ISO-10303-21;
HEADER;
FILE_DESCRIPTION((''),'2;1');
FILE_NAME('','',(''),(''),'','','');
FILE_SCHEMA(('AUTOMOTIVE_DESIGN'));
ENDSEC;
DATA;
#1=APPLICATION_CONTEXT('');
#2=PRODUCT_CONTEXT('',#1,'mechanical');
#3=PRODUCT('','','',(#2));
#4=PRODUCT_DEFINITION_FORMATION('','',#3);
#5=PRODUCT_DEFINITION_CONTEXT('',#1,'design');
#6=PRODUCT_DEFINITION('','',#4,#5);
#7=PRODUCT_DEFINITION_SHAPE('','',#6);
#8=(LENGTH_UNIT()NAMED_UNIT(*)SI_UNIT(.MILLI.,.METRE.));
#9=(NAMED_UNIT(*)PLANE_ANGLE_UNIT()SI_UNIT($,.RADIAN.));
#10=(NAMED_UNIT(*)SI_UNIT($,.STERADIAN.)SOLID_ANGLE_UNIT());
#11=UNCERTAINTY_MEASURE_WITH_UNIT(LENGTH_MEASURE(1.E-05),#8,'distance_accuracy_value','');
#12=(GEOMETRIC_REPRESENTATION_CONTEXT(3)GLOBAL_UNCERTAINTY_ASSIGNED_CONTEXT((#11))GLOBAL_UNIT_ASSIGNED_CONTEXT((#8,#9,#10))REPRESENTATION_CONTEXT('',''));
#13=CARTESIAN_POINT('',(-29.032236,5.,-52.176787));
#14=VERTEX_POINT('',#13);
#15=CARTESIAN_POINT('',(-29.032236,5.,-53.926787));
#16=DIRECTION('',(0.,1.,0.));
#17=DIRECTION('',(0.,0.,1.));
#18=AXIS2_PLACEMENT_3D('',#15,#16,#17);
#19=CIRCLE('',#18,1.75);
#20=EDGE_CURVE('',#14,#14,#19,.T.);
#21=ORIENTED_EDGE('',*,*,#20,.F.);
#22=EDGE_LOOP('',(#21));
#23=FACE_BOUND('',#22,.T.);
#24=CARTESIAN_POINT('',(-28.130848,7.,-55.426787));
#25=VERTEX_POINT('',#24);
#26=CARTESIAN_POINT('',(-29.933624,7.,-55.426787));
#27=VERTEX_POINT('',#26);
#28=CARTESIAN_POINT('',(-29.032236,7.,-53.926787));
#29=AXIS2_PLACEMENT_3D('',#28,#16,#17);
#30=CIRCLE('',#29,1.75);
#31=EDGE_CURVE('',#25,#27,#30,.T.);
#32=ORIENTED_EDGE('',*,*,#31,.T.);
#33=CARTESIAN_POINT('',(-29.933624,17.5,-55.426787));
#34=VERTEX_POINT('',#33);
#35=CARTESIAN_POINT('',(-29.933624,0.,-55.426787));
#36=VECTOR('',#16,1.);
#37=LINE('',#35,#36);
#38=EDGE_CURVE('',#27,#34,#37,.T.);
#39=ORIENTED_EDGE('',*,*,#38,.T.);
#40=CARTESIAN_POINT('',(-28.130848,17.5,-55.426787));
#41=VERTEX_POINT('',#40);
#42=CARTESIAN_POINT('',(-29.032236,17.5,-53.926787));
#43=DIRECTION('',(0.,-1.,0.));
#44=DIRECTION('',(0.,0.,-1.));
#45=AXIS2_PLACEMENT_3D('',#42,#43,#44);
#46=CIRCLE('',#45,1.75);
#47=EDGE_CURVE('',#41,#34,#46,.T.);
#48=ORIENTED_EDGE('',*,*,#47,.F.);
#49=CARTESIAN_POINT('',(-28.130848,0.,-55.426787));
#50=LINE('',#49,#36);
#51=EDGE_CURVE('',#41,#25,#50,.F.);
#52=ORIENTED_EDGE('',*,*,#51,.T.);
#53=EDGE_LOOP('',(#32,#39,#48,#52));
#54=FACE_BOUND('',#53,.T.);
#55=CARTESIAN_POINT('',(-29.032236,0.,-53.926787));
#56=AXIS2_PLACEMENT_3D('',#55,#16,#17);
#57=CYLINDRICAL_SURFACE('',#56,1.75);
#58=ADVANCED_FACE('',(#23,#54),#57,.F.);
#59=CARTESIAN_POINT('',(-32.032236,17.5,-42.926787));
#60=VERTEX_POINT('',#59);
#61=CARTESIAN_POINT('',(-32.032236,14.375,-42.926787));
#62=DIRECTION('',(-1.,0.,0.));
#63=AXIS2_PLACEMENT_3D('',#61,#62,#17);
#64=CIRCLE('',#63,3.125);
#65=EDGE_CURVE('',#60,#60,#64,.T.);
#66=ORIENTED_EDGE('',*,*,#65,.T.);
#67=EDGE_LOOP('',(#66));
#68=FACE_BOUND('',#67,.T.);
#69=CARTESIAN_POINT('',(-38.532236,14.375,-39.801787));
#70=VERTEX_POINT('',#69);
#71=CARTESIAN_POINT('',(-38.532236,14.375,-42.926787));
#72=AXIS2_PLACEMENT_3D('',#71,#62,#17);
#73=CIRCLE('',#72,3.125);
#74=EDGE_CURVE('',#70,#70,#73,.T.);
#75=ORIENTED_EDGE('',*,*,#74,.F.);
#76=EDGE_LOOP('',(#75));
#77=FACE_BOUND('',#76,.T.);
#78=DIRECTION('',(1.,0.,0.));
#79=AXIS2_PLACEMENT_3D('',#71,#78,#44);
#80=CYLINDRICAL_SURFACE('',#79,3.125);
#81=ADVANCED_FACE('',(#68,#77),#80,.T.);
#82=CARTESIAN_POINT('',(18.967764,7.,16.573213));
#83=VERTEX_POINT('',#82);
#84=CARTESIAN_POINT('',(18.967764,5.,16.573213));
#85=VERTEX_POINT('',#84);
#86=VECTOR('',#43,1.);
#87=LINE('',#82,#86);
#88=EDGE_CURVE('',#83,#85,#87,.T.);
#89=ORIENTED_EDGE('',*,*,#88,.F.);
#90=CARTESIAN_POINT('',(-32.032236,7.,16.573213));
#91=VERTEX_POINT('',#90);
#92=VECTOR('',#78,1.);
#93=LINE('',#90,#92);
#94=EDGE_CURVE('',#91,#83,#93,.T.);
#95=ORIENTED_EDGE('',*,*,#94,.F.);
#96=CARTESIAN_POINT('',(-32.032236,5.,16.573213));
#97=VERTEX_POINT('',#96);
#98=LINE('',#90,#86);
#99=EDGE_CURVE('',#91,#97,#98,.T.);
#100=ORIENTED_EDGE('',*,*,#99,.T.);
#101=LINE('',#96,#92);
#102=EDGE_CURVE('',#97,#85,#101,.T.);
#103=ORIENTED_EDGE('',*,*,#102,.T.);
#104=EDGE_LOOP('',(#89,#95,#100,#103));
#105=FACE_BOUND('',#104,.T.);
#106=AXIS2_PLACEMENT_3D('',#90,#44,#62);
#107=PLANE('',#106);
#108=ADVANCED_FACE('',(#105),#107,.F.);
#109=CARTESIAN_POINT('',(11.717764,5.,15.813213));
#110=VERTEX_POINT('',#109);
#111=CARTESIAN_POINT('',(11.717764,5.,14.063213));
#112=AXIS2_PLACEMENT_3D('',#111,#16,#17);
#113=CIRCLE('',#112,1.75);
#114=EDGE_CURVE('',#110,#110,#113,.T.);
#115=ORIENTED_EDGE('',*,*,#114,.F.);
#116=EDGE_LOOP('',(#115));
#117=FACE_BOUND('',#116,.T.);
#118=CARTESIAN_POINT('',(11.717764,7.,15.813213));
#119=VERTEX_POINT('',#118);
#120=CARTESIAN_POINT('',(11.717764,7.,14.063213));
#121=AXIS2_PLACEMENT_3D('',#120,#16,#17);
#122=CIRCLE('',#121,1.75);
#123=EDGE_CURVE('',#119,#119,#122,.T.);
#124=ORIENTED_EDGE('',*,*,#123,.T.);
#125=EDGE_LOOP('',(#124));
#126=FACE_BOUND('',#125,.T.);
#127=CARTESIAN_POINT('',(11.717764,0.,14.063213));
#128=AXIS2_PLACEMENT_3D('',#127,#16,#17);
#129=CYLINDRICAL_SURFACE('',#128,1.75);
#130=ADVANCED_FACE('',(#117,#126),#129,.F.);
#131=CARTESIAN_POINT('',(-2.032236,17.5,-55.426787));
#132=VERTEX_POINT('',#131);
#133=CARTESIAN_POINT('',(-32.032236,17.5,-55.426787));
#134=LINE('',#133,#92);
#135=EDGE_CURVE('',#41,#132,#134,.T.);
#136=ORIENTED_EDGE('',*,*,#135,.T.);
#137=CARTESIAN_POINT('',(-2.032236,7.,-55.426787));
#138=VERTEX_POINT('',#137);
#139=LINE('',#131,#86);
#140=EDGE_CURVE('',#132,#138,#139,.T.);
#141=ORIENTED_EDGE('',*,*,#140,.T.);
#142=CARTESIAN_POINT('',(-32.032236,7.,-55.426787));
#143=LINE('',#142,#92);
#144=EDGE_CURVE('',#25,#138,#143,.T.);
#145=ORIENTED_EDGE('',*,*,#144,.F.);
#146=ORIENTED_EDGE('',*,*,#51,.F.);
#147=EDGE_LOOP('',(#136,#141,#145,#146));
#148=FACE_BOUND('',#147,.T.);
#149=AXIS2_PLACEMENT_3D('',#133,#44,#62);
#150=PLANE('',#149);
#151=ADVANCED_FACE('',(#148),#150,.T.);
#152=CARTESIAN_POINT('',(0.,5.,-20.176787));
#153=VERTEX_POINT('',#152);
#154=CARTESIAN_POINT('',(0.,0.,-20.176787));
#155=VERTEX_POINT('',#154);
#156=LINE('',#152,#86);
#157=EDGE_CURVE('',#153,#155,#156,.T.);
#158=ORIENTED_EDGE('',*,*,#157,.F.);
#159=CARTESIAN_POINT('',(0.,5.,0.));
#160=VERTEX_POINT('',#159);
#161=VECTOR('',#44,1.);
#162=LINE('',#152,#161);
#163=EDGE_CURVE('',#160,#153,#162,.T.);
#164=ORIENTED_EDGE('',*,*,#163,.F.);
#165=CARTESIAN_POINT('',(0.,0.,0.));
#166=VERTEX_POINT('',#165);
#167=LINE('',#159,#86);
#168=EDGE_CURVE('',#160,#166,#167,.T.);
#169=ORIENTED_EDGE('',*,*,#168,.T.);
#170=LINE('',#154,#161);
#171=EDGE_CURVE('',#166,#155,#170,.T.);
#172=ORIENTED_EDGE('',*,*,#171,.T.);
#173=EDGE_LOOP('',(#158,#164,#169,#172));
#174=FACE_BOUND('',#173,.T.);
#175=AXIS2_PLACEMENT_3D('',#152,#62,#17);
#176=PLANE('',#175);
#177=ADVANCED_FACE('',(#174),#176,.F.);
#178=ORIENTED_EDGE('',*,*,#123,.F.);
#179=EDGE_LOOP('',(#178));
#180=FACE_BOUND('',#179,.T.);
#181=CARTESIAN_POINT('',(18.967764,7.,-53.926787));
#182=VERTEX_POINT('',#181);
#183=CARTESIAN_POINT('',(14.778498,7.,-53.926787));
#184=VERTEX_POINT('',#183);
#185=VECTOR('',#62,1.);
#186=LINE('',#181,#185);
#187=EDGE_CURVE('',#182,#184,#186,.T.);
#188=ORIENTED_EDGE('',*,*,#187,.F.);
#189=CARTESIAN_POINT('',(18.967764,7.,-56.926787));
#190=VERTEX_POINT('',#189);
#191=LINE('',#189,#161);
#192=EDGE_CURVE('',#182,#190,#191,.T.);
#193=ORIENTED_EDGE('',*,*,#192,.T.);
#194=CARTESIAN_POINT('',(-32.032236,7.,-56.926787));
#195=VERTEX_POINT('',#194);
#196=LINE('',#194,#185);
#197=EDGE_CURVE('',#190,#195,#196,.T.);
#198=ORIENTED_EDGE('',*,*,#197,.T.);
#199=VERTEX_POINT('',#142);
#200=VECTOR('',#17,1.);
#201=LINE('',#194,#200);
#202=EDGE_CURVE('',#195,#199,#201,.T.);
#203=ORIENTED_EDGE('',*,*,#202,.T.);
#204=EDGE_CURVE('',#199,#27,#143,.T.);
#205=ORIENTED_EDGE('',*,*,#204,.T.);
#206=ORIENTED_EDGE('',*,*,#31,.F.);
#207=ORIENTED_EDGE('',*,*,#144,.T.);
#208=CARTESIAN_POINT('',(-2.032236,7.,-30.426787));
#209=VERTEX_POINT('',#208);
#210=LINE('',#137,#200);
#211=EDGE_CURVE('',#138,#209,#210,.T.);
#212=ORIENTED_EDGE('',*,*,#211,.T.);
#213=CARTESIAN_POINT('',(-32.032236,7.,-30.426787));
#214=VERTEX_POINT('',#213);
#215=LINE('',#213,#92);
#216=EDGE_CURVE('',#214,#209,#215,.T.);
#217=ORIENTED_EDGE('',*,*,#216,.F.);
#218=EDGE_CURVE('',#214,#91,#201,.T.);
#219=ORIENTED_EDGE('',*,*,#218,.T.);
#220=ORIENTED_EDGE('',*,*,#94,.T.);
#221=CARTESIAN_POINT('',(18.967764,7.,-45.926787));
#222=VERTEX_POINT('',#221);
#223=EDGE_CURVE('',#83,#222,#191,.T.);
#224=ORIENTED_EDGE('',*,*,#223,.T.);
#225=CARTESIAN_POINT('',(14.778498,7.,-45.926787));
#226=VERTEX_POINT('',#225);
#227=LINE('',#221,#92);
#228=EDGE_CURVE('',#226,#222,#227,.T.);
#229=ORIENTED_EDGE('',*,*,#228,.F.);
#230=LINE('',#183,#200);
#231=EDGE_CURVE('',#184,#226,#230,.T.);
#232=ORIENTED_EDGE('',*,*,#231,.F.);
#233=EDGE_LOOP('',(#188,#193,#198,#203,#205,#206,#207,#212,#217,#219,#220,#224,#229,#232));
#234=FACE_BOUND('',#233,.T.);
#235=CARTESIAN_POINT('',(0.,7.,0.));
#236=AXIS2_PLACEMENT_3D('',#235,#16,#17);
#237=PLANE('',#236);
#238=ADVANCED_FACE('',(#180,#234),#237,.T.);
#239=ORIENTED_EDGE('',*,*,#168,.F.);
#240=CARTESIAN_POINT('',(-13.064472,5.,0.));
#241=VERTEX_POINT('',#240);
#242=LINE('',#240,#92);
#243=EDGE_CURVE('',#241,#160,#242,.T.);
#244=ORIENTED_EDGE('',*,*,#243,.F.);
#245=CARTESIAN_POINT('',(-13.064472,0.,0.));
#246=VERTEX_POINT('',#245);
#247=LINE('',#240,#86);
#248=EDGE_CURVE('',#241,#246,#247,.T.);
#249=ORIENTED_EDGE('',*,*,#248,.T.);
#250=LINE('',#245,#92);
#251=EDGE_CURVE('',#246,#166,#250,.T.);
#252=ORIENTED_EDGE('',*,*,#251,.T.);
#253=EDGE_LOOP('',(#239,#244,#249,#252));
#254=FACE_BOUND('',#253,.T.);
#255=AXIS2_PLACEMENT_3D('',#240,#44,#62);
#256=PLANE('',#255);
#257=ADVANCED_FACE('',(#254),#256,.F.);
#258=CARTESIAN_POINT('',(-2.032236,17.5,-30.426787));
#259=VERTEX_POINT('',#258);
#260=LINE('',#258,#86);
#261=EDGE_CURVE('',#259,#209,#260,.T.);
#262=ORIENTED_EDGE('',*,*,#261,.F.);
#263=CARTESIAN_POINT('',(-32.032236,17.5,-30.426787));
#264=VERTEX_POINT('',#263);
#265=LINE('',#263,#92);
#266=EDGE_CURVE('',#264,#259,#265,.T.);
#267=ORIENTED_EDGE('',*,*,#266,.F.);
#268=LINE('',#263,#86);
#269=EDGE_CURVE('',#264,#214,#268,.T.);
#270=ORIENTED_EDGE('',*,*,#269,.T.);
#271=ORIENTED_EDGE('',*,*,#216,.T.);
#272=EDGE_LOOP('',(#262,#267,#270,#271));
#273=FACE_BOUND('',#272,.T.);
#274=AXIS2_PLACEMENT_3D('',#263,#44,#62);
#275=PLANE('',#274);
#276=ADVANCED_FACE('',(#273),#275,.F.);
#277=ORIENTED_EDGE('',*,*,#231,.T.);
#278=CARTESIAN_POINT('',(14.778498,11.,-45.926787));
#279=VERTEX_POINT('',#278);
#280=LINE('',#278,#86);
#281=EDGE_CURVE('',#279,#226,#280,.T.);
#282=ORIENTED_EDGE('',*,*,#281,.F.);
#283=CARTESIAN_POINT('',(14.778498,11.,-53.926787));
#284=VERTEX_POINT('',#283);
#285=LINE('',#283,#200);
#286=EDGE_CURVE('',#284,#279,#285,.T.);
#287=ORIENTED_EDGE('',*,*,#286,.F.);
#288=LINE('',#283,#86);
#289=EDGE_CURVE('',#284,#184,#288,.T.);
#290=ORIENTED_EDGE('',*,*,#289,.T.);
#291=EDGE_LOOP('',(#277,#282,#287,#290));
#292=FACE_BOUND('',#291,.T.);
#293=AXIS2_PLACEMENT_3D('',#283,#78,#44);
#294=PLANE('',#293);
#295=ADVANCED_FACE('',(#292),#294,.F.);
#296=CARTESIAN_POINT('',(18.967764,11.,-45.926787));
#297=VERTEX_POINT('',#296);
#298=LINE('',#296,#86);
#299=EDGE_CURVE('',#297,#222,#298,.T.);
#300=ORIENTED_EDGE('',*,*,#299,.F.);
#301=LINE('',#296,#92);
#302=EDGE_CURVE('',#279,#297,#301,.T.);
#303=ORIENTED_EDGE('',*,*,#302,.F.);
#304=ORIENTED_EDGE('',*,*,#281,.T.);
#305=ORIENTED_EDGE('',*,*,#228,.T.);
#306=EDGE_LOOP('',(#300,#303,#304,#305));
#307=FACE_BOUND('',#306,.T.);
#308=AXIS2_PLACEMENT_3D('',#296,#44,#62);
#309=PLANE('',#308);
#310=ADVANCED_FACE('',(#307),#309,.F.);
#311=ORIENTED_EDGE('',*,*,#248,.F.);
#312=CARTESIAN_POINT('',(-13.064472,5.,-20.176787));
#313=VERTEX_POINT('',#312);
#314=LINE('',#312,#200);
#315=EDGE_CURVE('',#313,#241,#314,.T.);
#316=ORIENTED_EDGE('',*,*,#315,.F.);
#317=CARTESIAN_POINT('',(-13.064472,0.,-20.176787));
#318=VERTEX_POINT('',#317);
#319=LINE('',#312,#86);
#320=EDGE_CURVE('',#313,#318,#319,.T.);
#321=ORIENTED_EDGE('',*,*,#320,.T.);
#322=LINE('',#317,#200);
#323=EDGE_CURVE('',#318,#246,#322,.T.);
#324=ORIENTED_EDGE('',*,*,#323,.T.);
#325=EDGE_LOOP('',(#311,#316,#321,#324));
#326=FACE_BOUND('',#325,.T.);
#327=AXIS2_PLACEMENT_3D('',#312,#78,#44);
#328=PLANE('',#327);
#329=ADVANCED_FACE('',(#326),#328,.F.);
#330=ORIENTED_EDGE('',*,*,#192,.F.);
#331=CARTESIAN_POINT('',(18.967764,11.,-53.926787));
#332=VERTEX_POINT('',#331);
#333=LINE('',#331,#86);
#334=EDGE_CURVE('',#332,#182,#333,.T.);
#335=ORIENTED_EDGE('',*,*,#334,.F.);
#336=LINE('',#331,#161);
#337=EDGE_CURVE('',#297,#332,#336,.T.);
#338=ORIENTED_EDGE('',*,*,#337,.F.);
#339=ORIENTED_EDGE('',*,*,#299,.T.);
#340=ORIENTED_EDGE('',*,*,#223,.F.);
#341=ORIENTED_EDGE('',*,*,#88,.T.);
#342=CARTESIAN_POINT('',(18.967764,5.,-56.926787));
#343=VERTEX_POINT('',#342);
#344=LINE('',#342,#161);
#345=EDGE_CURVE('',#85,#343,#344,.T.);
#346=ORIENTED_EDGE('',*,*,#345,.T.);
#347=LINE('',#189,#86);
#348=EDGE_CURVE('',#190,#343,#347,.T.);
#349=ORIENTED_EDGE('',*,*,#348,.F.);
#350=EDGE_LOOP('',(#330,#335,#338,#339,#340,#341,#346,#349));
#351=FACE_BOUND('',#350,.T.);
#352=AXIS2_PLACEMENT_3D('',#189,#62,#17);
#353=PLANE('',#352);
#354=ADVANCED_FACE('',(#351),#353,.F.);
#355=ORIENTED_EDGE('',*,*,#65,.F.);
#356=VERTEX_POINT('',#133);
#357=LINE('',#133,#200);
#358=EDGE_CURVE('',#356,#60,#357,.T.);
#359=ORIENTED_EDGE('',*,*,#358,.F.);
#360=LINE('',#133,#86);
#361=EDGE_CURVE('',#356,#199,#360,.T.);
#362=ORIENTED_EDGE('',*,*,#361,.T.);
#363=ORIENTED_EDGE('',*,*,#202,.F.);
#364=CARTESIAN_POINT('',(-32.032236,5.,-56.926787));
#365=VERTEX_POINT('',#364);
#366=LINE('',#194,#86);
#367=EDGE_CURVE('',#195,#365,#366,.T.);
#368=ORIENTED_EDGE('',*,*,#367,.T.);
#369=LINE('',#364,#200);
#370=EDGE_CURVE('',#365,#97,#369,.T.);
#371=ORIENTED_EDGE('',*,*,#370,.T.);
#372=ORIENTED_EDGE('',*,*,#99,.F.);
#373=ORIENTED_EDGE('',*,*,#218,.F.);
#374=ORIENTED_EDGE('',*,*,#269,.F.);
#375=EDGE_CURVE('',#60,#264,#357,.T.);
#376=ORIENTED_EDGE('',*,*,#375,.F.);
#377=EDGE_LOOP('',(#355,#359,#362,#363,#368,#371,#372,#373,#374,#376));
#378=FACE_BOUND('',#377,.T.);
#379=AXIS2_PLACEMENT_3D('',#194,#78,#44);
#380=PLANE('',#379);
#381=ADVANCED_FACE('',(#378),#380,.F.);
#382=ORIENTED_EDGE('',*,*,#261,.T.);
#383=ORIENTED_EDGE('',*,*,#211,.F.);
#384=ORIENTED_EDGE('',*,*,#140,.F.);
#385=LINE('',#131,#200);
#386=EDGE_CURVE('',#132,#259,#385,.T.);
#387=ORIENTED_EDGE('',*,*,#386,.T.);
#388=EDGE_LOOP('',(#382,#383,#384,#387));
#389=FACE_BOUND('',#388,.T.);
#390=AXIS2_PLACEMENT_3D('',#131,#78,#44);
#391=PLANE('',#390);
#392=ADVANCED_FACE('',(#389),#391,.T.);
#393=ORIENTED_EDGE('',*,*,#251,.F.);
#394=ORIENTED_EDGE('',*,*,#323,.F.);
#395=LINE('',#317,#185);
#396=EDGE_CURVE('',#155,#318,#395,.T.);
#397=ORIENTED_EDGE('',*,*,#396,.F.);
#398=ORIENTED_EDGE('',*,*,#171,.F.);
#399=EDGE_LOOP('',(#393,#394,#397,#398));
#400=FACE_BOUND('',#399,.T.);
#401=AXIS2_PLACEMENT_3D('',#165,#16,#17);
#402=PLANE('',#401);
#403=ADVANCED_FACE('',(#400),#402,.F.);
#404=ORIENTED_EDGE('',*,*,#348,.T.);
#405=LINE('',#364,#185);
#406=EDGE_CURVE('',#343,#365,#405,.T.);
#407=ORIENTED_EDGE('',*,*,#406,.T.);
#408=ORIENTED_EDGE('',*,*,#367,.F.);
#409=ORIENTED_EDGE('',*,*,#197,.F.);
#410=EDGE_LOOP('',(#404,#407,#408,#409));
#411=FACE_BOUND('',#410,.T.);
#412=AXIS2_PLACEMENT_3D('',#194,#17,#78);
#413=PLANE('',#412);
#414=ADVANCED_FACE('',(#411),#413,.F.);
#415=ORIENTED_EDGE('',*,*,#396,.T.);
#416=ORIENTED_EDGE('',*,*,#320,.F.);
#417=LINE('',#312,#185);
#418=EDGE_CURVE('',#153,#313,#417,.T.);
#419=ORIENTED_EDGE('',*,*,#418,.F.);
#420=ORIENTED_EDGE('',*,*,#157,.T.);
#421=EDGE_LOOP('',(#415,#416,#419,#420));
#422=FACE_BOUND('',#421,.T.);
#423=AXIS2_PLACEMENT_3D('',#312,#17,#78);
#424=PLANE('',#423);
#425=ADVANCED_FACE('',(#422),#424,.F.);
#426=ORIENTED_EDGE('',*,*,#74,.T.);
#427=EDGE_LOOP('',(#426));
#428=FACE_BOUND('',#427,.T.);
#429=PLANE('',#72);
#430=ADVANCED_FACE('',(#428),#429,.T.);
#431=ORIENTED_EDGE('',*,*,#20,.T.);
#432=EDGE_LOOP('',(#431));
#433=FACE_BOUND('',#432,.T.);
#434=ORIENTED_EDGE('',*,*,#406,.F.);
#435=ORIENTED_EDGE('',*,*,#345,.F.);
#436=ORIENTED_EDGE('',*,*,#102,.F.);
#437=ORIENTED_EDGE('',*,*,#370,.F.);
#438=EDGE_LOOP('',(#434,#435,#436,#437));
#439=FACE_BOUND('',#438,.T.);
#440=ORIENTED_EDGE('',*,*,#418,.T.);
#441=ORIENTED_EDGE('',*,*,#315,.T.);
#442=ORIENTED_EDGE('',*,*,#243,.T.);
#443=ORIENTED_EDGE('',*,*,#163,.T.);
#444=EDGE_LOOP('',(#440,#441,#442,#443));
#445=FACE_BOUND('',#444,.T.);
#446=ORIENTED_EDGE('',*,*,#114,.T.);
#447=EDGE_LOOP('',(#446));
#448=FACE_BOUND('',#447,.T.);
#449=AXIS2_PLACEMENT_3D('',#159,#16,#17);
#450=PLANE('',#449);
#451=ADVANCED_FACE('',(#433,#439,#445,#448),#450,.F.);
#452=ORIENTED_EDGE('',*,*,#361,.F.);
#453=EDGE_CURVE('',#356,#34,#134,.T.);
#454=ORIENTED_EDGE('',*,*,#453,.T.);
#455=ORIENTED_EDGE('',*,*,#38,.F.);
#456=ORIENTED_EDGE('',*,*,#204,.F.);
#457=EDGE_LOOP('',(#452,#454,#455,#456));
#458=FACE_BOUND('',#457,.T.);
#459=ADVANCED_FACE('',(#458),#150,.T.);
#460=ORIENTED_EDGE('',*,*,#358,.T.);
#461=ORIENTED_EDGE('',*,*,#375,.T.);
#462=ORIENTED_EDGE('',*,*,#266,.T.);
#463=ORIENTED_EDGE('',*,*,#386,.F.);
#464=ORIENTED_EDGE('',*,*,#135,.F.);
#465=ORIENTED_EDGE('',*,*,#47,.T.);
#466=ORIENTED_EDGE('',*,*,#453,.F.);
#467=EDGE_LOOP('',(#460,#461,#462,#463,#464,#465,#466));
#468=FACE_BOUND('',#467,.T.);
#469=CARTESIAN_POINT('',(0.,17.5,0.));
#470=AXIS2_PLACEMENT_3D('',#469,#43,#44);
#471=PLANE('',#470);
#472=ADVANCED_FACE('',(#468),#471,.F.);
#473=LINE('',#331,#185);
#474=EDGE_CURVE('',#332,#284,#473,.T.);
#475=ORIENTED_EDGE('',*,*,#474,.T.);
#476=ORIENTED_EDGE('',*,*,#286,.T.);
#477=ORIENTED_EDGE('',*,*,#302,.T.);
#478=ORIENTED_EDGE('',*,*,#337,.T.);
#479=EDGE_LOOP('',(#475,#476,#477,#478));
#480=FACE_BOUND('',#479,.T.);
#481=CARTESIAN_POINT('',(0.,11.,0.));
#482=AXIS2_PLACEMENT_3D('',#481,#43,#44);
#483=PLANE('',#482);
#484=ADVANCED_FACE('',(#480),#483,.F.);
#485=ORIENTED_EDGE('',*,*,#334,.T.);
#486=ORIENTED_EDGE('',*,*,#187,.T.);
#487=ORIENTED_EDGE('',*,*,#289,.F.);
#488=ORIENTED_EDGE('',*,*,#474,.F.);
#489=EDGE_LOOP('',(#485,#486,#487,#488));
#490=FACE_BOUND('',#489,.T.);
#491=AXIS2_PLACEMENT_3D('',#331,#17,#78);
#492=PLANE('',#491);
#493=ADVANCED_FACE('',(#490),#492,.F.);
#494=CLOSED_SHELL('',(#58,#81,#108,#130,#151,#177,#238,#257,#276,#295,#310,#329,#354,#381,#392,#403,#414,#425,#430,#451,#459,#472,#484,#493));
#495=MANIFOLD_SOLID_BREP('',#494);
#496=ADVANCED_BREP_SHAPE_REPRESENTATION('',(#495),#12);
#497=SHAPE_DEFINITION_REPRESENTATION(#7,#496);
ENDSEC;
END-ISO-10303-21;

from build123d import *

# Parameters (mm, degrees)
SKETCH1_W               = 13.064472239
SKETCH1_H               = 20.176787348
BOSS_EXTRUDE1_DEPTH     = 5
SKETCH2_W               = 51
SKETCH2_H               = 73.5
BOSS_EXTRUDE2_DEPTH     = 2
SKETCH3_W               = 30
SKETCH3_H               = 25
BOSS_EXTRUDE3_DEPTH     = 10.5
SKETCH7_R               = 3.125
BOSS_EXTRUDE5_DEPTH     = 6.5
SKETCH8_W               = 4.189265903
SKETCH8_H               = 8
BOSS_EXTRUDE6_DEPTH     = 4
CUT_EXTRUDE1_DEPTH      = 70.538782979
CUT_EXTRUDE1_DEPTH_BACK = 70.538782979
SKETCH9_R               = 1.75


with BuildPart() as part:
    # Sketch1 → Boss-Extrude1 (new body)
    with BuildSketch(Plane(origin=(0, 0, 0), x_dir=(1, 0, 0), z_dir=(0, 1, 0))):
        with Locations((-6.53223612, 10.088393674)):
            Rectangle(SKETCH1_W, SKETCH1_H)
    extrude(amount=BOSS_EXTRUDE1_DEPTH)

    # Sketch2 → Boss-Extrude2 (add)
    with BuildSketch(Plane(origin=(0, 5, 0), x_dir=(1, 0, 0), z_dir=(0, 1, 0))):
        with Locations((-6.53223612, 20.176787348)):
            Rectangle(SKETCH2_W, SKETCH2_H)
    extrude(amount=BOSS_EXTRUDE2_DEPTH)

    # Sketch3 → Boss-Extrude3 (add)
    with BuildSketch(Plane(origin=(0, 7, 0), x_dir=(1, 0, 0), z_dir=(0, 1, 0))):
        with Locations((-17.03223612, 42.926787348)):
            Rectangle(SKETCH3_W, SKETCH3_H)
    extrude(amount=BOSS_EXTRUDE3_DEPTH)

    # Sketch7 → Boss-Extrude5 (add)
    with BuildSketch(Plane.ZY.offset(32.03223612)):
        with Locations(Location((-42.926787348, 14.375, 0), (0, 0, 90))):
            Circle(SKETCH7_R)
    extrude(amount=BOSS_EXTRUDE5_DEPTH)

    # Sketch8 → Boss-Extrude6 (add)
    with BuildSketch(Plane(origin=(0, 7, 0), x_dir=(1, 0, 0), z_dir=(0, 1, 0))):
        with Locations((16.873130929, 49.926787348)):
            Rectangle(SKETCH8_W, SKETCH8_H)
    extrude(amount=BOSS_EXTRUDE6_DEPTH)

    # Sketch9 → Cut-Extrude1 (cut, two sides: drawn at the far end of the back side and taken through both)
    with BuildSketch(Plane(origin=(0, 7, 0), x_dir=(1, 0, 0), z_dir=(0, 1, 0)).offset(-CUT_EXTRUDE1_DEPTH_BACK)):
        with Locations(Location((11.71776388, -14.063212652, 0), (0, 0, 270))):
            Circle(SKETCH9_R)
        with Locations(Location((-29.03223612, 53.926787348, 0), (0, 0, 270))):
            Circle(SKETCH9_R)
    extrude(amount=CUT_EXTRUDE1_DEPTH + CUT_EXTRUDE1_DEPTH_BACK, mode=Mode.SUBTRACT)


solid = part.part
